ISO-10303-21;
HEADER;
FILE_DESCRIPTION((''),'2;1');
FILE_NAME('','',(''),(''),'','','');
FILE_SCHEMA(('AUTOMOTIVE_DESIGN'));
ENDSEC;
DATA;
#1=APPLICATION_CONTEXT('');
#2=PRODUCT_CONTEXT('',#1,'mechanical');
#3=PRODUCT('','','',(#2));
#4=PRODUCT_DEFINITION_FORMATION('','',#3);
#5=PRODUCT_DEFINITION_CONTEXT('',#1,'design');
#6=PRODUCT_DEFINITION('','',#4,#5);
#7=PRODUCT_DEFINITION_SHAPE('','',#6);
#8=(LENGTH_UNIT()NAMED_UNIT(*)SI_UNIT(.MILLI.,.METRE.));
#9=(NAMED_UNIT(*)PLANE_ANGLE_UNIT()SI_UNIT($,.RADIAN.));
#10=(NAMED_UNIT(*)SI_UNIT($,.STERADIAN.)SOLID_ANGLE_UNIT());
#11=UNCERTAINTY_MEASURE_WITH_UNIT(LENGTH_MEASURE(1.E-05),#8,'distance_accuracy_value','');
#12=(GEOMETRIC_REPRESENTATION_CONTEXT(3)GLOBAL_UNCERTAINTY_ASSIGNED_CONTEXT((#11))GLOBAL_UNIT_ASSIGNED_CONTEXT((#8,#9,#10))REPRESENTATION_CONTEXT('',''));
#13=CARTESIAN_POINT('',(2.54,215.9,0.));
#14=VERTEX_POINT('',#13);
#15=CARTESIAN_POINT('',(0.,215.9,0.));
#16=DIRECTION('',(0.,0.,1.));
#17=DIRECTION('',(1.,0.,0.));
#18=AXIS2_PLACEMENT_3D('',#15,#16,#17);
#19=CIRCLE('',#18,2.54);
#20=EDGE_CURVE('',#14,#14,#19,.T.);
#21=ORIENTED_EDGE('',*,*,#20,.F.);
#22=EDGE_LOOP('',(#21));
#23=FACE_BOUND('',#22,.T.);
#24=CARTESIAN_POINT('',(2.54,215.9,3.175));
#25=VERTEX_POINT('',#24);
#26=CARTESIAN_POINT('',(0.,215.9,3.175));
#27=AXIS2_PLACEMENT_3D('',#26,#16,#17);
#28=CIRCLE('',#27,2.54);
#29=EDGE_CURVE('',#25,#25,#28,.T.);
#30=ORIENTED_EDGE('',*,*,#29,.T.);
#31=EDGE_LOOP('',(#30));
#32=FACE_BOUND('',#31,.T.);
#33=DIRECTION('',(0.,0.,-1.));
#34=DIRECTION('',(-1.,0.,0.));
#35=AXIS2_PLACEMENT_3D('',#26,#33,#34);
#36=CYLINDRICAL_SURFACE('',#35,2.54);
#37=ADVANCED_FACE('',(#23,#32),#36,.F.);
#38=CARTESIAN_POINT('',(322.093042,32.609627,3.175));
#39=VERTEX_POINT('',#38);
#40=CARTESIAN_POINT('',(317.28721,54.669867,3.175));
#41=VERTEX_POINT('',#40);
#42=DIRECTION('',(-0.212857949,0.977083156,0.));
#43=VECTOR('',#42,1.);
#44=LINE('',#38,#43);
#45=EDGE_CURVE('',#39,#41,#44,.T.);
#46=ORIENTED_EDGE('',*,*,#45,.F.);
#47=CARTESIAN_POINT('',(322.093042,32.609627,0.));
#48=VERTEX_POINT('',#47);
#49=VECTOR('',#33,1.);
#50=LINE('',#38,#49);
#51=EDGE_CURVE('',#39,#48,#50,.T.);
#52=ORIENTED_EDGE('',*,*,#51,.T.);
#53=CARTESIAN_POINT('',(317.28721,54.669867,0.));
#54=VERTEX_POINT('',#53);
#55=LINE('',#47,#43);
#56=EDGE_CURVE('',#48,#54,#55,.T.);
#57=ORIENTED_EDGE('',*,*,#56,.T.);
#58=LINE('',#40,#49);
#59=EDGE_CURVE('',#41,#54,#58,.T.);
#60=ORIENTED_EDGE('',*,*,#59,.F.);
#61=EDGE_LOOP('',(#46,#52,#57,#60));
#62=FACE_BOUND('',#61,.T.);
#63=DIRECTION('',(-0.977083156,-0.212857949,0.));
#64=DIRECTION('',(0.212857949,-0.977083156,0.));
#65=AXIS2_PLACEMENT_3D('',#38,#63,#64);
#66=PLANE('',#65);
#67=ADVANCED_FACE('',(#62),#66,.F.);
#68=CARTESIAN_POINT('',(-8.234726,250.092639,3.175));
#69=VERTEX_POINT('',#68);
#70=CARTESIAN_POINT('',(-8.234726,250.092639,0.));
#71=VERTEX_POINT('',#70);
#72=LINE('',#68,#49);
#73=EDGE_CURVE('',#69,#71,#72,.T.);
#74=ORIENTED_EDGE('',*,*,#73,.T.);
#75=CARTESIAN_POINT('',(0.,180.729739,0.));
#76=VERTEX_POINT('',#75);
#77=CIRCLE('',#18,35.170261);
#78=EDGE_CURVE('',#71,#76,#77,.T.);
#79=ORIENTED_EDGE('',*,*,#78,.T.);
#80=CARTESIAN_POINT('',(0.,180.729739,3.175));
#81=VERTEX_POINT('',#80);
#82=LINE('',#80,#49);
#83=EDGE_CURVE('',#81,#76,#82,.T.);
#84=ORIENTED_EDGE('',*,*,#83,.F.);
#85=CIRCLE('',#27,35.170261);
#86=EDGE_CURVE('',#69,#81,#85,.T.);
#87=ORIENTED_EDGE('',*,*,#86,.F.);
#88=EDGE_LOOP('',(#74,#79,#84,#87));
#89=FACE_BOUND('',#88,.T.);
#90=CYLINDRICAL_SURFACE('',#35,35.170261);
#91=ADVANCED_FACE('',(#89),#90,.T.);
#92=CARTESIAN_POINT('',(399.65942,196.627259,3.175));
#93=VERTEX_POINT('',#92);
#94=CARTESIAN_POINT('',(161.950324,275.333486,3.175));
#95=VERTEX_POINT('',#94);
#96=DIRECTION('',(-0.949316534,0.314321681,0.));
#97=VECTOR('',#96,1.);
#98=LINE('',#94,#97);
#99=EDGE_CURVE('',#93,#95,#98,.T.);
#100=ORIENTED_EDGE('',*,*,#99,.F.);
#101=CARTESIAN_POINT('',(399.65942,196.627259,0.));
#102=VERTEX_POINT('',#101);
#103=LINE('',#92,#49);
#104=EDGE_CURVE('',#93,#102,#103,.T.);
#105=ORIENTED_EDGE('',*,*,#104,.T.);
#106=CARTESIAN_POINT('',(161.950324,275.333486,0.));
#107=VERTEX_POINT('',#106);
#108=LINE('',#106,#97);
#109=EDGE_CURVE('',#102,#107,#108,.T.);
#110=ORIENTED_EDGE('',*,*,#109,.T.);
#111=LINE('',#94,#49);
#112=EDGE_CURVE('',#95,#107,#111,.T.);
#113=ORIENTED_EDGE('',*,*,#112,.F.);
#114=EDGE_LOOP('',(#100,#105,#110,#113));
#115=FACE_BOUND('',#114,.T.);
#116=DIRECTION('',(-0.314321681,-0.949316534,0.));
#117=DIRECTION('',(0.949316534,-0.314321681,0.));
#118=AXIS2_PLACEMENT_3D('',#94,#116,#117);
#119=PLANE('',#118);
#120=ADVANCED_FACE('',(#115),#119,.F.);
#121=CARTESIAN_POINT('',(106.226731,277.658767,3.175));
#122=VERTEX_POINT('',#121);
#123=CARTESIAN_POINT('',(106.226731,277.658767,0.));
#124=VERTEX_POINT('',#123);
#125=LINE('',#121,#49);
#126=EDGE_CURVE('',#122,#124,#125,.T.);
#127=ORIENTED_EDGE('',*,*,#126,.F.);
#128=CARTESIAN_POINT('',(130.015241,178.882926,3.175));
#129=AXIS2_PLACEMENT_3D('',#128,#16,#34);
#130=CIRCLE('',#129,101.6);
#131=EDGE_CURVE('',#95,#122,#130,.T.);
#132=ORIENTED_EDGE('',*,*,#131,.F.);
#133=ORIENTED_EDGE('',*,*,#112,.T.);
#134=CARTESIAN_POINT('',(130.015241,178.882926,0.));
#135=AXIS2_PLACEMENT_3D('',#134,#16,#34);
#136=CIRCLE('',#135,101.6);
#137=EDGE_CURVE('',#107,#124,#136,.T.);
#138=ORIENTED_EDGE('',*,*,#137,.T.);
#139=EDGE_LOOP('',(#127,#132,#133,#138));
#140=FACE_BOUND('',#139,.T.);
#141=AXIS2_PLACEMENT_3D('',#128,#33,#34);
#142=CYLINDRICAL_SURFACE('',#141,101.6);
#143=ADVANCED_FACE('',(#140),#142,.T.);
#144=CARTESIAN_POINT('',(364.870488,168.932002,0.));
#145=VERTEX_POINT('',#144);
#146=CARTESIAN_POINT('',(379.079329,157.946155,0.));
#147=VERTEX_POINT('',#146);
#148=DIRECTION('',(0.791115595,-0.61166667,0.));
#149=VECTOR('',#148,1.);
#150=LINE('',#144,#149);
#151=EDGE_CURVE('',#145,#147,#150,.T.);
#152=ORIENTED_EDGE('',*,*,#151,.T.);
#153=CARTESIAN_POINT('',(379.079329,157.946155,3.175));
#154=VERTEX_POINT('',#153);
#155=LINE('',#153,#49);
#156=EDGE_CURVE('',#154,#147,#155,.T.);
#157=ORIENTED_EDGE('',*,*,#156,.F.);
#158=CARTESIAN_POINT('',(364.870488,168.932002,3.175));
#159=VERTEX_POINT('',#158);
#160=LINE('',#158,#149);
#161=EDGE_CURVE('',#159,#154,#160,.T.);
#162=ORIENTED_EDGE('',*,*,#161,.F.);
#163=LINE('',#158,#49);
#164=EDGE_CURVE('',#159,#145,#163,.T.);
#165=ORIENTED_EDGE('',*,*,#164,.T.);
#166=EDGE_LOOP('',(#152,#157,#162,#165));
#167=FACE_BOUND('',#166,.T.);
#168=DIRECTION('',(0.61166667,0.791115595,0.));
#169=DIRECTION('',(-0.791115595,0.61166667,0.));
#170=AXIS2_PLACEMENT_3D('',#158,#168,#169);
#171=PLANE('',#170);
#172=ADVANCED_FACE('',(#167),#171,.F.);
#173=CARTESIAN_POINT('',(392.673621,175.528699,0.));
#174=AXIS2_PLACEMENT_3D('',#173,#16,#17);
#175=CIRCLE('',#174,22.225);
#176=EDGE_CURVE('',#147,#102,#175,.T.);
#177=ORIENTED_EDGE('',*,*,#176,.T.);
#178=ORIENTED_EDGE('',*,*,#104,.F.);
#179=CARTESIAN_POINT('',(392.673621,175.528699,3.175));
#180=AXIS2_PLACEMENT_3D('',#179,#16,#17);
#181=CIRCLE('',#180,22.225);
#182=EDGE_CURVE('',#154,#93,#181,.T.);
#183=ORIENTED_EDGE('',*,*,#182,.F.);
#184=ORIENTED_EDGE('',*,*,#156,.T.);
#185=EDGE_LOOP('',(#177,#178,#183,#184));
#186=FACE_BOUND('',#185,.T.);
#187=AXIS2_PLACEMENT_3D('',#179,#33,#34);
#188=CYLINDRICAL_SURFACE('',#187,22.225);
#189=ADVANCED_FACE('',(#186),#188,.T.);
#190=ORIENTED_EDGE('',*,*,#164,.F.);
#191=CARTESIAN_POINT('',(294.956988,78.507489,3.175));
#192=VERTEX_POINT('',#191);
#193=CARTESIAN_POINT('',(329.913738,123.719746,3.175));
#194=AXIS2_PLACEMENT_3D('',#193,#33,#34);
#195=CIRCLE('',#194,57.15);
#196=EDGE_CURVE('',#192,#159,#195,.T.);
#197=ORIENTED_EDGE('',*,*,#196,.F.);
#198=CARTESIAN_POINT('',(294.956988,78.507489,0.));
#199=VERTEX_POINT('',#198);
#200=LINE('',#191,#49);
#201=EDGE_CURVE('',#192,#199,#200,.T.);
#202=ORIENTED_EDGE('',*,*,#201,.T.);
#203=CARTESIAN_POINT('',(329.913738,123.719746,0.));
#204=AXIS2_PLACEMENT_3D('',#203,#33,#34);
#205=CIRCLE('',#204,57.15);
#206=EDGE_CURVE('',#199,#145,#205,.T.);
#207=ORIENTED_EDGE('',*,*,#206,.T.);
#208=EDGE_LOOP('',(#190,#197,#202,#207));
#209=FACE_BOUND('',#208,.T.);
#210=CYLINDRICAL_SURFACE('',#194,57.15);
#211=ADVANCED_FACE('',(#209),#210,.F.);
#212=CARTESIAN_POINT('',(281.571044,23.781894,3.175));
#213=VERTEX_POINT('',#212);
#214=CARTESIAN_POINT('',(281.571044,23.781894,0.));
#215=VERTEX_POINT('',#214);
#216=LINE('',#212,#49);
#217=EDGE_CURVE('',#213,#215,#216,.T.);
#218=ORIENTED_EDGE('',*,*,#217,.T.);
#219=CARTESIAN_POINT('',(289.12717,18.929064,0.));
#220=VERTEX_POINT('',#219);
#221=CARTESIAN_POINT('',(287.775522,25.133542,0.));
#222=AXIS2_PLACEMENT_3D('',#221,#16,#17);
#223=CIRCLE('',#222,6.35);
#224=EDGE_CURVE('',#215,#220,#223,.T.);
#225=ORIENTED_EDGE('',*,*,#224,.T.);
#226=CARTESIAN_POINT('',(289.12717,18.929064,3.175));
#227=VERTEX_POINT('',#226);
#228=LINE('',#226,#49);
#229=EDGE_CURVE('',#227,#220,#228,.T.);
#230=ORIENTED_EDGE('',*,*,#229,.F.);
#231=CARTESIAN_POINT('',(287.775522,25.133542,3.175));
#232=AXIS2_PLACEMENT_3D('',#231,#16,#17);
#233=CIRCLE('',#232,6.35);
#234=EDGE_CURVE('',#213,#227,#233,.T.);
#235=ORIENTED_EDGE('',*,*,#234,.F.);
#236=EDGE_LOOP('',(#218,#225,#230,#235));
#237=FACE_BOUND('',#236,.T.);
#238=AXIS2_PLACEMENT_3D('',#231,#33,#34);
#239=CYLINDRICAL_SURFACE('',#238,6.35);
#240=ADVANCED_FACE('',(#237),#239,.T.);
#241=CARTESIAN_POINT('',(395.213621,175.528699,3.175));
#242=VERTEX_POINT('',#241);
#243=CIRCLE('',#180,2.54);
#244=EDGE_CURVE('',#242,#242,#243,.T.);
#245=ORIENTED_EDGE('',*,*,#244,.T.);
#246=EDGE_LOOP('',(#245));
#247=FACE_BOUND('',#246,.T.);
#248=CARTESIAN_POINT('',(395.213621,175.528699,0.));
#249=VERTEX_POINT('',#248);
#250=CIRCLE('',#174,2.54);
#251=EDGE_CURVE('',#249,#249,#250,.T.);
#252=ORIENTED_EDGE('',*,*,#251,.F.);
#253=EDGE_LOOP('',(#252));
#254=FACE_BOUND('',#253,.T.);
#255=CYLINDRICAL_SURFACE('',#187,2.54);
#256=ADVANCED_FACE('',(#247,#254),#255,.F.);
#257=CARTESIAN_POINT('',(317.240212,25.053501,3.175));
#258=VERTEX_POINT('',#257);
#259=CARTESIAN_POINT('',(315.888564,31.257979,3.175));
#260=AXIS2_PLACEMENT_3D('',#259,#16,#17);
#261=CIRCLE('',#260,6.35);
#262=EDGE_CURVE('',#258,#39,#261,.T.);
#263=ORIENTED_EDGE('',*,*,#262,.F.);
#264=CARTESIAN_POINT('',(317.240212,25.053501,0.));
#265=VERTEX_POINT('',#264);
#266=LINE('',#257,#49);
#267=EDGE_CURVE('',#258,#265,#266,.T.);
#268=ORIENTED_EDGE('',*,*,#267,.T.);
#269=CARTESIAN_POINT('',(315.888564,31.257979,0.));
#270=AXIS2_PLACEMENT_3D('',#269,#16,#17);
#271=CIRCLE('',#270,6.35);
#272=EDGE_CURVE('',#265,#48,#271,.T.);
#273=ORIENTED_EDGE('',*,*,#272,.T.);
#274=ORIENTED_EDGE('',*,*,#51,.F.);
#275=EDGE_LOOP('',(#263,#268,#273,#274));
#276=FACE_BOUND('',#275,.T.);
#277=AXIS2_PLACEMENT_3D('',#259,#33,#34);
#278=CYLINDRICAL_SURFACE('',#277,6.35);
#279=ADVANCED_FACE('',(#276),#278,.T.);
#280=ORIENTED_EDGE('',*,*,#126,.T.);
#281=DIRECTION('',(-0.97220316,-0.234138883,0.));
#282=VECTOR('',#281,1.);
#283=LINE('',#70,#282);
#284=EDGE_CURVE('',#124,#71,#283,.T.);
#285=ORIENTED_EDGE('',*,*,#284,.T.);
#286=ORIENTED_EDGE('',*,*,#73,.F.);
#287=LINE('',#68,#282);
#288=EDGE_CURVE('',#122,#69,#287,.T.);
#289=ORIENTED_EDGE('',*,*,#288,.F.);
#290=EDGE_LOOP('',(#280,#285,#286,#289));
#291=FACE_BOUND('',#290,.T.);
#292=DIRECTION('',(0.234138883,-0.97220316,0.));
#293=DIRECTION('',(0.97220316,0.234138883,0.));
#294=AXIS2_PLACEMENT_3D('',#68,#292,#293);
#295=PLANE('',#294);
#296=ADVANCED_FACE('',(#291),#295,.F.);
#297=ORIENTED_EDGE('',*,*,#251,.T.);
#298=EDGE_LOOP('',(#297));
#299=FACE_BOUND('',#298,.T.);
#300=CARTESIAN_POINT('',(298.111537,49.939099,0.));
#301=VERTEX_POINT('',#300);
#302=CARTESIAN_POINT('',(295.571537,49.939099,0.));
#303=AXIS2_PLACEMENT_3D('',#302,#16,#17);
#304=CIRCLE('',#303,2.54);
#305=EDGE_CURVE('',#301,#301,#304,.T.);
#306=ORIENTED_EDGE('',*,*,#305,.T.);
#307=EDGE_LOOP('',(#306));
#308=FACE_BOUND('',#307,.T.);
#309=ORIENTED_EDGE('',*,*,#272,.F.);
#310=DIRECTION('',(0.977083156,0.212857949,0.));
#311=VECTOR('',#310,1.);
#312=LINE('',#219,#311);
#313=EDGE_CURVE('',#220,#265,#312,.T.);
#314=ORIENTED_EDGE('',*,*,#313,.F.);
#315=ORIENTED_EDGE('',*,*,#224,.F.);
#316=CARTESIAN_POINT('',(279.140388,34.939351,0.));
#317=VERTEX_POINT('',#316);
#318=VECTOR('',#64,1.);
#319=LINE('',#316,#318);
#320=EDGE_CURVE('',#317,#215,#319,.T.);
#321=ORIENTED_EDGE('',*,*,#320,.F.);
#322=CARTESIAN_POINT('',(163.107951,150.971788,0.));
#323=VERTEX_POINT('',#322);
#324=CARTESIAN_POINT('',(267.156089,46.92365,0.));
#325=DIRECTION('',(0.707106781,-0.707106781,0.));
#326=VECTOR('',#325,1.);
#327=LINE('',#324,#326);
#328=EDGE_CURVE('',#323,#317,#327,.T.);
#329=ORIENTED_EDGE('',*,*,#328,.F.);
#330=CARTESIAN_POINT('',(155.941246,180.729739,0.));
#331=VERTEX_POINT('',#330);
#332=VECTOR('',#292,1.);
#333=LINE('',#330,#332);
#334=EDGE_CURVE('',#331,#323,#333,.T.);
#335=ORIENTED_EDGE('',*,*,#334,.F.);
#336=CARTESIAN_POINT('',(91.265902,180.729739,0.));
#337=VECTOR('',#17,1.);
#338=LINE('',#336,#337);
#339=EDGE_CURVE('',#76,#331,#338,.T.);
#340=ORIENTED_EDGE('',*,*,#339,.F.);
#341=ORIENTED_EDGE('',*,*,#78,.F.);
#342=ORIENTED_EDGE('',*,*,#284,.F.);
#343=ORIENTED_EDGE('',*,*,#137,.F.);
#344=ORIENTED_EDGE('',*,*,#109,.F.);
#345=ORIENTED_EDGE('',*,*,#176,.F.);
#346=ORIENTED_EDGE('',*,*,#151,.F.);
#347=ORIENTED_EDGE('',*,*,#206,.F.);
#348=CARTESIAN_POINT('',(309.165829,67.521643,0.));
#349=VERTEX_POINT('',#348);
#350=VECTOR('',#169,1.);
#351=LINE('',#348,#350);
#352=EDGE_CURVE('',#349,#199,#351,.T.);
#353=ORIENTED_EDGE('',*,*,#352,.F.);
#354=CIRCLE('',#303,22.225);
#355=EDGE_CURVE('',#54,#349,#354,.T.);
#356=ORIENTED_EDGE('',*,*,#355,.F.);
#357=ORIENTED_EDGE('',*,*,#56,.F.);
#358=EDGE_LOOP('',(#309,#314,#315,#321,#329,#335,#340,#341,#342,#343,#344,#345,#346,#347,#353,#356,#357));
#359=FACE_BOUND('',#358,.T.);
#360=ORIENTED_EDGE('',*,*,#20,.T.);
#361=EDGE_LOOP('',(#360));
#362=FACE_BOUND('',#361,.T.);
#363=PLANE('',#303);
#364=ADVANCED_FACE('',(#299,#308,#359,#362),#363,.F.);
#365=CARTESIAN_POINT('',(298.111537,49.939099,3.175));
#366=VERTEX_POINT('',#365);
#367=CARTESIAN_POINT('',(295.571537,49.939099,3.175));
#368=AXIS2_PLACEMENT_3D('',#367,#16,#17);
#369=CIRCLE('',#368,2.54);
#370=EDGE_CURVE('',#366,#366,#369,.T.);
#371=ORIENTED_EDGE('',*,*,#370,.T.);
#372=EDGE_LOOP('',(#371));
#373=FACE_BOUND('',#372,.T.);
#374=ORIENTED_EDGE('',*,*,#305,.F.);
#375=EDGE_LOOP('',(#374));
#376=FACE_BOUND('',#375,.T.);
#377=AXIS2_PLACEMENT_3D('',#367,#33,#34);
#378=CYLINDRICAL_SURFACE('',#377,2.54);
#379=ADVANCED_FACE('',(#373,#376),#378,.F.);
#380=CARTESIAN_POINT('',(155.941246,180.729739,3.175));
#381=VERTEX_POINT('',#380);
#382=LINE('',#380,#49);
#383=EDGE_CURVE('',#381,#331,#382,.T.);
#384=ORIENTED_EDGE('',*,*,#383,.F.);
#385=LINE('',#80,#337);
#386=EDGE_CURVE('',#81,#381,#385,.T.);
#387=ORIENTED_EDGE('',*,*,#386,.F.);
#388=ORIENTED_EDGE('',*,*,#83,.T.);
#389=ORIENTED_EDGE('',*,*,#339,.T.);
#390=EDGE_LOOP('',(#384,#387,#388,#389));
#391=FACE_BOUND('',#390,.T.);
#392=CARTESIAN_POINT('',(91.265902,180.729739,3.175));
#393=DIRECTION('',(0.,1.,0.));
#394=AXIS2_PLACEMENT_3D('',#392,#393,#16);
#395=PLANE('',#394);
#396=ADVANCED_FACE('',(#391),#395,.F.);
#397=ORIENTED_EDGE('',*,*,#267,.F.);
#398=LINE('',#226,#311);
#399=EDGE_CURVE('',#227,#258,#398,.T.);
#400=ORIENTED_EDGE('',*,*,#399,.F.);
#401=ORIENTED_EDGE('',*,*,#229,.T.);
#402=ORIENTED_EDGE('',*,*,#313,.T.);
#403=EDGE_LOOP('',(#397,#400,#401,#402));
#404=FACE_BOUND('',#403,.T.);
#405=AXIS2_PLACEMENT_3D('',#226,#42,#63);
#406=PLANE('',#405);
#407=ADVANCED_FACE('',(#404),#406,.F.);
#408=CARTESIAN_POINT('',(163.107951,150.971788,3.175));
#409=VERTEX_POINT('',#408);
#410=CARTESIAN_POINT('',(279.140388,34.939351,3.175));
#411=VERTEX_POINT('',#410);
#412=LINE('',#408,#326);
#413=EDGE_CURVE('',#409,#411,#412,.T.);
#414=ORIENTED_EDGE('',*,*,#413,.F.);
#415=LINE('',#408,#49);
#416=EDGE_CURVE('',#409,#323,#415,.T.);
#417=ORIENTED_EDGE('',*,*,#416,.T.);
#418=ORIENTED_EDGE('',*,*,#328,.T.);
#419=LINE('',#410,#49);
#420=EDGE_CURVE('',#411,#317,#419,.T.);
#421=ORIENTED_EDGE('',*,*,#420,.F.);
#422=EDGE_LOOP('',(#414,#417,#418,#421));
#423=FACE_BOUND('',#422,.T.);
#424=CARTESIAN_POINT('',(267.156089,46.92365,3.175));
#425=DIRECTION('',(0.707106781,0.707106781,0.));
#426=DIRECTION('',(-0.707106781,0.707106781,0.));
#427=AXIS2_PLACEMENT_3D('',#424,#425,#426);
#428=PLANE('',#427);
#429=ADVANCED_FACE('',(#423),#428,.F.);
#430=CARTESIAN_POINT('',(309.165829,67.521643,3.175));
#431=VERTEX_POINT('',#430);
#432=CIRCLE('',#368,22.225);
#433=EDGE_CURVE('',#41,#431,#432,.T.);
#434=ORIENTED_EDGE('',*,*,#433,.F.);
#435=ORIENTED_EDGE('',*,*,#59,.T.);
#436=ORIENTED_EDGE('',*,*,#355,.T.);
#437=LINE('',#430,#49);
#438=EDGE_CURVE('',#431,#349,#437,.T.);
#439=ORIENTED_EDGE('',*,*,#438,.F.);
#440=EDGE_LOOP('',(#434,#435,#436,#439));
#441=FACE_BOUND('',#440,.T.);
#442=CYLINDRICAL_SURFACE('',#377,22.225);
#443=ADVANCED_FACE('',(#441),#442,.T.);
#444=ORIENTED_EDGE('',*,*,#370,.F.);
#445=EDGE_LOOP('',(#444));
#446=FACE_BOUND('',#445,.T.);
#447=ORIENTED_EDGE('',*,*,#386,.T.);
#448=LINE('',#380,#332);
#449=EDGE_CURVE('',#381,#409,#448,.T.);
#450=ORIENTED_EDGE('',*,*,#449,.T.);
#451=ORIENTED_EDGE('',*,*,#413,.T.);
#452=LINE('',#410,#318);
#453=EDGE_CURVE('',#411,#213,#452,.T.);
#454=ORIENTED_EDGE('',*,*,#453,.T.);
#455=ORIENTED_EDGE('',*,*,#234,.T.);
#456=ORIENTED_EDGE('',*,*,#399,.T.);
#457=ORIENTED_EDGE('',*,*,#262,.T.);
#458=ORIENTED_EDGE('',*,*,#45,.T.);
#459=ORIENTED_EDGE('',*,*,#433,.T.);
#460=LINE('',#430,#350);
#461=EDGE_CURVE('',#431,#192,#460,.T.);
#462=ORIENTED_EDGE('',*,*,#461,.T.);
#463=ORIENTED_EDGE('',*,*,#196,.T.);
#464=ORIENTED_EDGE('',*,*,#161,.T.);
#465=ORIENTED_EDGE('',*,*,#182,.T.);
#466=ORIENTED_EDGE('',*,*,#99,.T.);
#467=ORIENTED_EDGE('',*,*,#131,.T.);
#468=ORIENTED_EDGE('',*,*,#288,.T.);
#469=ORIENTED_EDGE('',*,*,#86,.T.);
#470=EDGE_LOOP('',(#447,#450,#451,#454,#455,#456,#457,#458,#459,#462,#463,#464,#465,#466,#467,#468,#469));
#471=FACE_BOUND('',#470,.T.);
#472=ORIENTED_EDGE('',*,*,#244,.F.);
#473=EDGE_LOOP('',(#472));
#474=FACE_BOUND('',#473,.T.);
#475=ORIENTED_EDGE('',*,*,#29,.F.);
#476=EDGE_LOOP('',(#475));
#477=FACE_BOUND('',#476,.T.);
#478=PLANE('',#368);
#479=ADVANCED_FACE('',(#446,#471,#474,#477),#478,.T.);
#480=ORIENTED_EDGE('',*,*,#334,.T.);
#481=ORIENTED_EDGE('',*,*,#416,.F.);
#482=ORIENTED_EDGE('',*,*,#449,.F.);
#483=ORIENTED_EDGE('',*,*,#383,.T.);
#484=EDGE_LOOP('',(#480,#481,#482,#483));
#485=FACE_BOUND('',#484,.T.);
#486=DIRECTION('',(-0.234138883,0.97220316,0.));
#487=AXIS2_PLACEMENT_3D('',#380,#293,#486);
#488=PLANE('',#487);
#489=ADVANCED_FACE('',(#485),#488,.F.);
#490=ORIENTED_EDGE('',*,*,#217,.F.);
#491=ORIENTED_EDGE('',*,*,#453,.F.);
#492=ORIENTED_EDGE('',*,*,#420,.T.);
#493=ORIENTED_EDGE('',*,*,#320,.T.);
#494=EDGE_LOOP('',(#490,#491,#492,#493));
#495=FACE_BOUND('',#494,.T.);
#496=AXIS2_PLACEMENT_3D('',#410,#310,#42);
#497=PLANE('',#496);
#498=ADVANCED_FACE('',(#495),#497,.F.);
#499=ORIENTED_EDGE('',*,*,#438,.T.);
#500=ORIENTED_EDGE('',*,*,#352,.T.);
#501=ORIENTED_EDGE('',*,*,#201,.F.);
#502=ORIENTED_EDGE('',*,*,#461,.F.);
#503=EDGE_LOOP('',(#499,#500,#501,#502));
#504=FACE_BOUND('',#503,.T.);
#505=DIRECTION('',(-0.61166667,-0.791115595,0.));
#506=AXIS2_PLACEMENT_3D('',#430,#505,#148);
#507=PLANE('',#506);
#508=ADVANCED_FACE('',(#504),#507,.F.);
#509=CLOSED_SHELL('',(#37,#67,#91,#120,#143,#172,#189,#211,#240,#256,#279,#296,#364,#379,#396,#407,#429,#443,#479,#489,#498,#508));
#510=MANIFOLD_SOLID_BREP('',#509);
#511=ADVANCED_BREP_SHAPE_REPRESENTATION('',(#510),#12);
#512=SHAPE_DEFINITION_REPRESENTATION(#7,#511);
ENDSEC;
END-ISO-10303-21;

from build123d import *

# Parameters (mm, degrees)
SKETCH1_R           = 2.54
BOSS_EXTRUDE1_DEPTH = 3.175


with BuildPart() as part:
    # Sketch1 → Boss-Extrude1 (new body)
    with BuildSketch(Plane.XY):
        with BuildLine():
            Line((267.156088922, 46.92365038), (279.140387862, 34.939351441))
            Line((279.140387862, 34.939351441), (281.571044282, 23.781894278))
            ThreePointArc((281.571044282, 23.781894278), (284.344053276, 19.790554308), (289.127170298, 18.929064213))
            Line((289.127170298, 18.929064213), (317.240211958, 25.053501369))
            ThreePointArc((317.240211958, 25.053501369), (321.231551928, 27.826510362), (322.093042023, 32.609627384))
            Line((322.093042023, 32.609627384), (317.287210275, 54.669866506))
            ThreePointArc((317.287210275, 54.669866506), (314.35957702, 61.811763931), (309.165828873, 67.521642695))
            Line((309.165828873, 67.521642695), (294.956987541, 78.507489408))
            ThreePointArc((294.956987541, 78.507489408), (284.701481461, 158.676495857), (364.87048791, 168.932001937))
            Line((364.87048791, 168.932001937), (379.079329242, 157.946155224))
            ThreePointArc((379.079329242, 157.946155224), (412.294400675, 165.089560033), (399.659420331, 196.627259288))
            Line((399.659420331, 196.627259288), (161.950324224, 275.333486261))
            ThreePointArc((161.950324224, 275.333486261), (134.2512057, 280.394583932), (106.226730954, 277.658767447))
            Line((106.226730954, 277.658767447), (-8.234725559, 250.092638572))
            ThreePointArc((-8.234725559, 250.092638572), (-34.925, 211.753723054), (0, 180.729739303))
            Line((0, 180.729739303), (91.265902063, 180.729739303))
            Line((91.265902063, 180.729739303), (155.941245852, 180.729739303))
            Line((155.941245852, 180.729739303), (163.107951031, 150.971788271))
            Line((163.107951031, 150.971788271), (267.156088922, 46.92365038))
        make_face()
        with Locations((392.673620981, 175.528699327)):
            Circle(SKETCH1_R, mode=Mode.SUBTRACT)
        with Locations((295.571537134, 49.939098592)):
            Circle(SKETCH1_R, mode=Mode.SUBTRACT)
        with Locations((0, 215.9)):
            Circle(SKETCH1_R, mode=Mode.SUBTRACT)
    extrude(amount=BOSS_EXTRUDE1_DEPTH)


solid = part.part
